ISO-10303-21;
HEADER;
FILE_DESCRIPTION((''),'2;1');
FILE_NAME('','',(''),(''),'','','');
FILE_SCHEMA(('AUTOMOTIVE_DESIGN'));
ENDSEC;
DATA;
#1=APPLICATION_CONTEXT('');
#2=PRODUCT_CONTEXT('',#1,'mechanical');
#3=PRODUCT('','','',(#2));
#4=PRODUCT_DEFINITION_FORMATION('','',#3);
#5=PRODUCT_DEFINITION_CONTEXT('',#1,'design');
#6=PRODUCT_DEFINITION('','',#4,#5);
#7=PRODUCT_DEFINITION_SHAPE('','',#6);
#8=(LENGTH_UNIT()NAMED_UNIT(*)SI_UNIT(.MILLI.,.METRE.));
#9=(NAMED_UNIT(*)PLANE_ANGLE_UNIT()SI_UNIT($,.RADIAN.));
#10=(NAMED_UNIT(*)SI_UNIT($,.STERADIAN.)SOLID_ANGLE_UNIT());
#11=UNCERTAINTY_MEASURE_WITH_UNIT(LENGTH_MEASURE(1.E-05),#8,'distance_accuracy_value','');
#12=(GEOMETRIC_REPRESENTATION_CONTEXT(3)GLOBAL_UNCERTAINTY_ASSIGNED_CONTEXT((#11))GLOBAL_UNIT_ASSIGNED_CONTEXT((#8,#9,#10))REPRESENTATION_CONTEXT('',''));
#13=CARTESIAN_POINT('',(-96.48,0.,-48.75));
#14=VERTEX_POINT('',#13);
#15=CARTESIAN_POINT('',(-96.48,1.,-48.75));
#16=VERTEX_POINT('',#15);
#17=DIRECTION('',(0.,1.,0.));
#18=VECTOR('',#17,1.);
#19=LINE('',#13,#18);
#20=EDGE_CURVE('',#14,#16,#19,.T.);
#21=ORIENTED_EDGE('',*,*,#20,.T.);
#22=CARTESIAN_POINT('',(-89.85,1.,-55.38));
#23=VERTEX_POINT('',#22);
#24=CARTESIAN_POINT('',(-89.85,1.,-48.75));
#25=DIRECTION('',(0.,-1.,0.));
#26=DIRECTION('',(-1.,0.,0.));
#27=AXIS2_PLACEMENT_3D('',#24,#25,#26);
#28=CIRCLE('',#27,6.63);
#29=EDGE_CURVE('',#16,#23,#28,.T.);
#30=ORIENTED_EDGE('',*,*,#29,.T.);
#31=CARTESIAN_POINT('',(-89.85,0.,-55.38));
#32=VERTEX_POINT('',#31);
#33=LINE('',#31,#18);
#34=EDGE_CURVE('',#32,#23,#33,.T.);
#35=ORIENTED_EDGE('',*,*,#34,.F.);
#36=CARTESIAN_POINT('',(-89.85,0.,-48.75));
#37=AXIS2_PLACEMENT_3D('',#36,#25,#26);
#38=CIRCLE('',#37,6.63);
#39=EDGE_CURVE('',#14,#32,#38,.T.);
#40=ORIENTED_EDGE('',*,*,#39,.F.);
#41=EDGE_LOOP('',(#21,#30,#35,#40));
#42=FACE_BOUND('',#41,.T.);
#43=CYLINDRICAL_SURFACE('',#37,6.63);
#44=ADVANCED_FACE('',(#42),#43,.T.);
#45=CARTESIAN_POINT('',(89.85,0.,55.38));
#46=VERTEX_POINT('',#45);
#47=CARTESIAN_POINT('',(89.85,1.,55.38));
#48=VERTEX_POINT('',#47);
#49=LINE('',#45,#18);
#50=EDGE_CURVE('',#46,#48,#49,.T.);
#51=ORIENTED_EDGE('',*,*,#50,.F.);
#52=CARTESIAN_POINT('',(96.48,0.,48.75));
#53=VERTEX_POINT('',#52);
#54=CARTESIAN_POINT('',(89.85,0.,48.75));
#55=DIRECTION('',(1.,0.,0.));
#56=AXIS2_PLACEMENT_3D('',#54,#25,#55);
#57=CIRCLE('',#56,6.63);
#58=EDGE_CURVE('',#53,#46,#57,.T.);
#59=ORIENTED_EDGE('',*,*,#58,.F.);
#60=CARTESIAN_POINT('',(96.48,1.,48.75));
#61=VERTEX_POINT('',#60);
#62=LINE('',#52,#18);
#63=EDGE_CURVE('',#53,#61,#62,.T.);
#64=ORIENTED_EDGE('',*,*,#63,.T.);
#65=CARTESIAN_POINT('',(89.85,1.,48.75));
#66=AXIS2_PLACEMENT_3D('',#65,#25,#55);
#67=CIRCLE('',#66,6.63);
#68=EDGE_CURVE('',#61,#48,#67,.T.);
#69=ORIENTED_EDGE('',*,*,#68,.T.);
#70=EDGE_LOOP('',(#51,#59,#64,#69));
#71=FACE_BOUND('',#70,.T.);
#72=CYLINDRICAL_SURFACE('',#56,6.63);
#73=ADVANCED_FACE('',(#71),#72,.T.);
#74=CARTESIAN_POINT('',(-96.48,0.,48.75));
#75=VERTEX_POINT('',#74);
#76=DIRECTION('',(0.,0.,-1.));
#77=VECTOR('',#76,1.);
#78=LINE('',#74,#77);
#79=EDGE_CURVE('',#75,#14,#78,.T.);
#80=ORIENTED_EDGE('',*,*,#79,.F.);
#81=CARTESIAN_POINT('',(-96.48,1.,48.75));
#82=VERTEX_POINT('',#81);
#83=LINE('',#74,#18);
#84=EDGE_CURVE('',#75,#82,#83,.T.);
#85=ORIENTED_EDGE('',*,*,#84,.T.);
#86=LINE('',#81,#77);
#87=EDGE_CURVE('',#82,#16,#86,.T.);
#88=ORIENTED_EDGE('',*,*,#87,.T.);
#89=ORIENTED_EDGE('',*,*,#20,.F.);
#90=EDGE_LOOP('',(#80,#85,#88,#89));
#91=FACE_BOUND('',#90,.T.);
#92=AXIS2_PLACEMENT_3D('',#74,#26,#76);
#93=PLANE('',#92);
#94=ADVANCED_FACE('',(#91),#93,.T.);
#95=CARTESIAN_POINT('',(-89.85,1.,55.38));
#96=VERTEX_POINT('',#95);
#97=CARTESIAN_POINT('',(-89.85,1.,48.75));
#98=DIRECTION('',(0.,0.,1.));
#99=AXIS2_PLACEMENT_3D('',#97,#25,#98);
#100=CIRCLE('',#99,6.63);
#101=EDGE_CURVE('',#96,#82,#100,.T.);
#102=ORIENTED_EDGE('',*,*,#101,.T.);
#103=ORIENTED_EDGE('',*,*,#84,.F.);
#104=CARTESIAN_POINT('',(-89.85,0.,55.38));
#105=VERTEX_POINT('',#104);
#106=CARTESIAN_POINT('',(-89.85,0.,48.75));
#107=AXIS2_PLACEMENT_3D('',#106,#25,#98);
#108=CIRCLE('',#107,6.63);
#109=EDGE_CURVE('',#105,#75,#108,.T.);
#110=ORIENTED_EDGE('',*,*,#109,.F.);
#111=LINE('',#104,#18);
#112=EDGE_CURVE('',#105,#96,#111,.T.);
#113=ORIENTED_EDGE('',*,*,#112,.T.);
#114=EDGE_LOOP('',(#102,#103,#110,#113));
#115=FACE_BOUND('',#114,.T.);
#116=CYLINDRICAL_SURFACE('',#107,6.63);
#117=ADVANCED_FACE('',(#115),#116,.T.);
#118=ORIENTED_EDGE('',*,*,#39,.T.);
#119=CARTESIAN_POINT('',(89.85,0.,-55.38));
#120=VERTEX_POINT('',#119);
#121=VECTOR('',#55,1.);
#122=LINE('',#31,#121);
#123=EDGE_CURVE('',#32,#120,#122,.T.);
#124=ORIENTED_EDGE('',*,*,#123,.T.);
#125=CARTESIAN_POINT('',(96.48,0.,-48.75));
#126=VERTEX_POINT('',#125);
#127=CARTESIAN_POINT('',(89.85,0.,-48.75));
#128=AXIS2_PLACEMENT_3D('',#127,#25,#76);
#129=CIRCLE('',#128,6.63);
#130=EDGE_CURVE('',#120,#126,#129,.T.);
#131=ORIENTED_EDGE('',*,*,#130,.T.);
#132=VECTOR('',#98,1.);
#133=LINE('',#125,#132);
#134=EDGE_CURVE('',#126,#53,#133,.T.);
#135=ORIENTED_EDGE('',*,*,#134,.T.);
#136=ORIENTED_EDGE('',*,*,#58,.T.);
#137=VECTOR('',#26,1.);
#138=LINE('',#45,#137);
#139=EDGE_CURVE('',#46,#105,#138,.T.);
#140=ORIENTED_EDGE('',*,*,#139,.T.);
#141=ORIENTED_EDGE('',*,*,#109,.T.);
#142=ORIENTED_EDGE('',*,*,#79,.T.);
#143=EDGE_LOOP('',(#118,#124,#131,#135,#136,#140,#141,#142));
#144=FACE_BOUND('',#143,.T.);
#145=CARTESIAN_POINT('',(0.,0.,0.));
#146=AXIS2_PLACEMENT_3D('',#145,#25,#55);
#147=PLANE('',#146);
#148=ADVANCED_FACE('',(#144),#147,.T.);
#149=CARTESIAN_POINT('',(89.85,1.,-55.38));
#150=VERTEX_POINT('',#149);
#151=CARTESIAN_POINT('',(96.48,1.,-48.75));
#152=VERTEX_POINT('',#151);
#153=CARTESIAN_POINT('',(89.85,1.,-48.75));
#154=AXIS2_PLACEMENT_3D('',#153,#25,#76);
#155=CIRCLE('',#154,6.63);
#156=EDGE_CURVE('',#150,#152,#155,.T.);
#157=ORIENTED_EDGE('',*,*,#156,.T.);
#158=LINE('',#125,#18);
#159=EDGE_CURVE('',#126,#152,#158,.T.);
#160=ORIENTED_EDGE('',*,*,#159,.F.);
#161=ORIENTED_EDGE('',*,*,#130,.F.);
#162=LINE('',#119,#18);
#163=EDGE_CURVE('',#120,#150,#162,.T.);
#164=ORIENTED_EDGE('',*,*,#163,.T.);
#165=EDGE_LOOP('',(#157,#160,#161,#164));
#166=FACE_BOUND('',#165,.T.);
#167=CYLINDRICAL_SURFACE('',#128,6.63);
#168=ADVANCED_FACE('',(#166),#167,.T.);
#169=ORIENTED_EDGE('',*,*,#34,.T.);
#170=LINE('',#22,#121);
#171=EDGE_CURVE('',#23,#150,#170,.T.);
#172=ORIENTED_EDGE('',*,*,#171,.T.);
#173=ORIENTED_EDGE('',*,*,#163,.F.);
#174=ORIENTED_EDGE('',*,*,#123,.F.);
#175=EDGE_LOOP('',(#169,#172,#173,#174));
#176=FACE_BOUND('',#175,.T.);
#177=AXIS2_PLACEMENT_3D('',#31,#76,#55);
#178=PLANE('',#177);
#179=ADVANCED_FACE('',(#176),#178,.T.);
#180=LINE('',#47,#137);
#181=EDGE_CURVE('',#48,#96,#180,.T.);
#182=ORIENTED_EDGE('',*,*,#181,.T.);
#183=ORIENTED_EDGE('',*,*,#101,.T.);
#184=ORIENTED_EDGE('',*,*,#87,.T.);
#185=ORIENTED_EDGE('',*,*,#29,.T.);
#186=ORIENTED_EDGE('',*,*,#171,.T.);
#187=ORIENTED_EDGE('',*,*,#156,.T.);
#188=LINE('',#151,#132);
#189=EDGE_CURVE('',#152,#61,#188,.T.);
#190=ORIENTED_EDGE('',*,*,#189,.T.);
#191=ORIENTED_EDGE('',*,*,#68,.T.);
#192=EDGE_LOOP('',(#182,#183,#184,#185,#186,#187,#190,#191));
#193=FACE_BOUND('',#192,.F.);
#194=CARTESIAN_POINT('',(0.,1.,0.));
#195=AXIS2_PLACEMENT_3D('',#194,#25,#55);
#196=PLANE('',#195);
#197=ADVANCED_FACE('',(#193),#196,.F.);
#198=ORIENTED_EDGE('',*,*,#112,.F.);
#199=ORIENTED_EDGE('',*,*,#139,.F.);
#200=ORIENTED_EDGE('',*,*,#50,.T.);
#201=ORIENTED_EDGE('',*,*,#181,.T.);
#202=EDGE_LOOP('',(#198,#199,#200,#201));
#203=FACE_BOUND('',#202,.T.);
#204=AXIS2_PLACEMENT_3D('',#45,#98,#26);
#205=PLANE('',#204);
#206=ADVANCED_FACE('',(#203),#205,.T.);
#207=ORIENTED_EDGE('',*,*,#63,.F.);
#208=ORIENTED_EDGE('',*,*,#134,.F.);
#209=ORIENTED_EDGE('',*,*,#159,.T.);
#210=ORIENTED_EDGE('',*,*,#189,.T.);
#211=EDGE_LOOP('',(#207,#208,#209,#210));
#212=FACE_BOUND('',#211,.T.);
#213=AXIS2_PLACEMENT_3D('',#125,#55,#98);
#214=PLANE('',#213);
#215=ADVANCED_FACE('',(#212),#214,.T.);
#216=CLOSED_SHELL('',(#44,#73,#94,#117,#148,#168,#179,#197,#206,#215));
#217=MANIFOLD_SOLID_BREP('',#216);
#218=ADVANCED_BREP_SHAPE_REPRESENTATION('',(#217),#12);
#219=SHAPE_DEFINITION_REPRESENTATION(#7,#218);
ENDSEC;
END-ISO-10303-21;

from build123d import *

# Parameters (mm, degrees)
F0_W     = 166.2
F0_H     = 100.06
F0_W_2   = 6
F0_H_2   = 8
F0_R     = 1.5
F0_W_3   = 8
F0_H_3   = 6
F0_R_2   = 1.25
F0_H_4   = 4
F0_W_4   = 4
F1_DEPTH = 1


with BuildPart() as f1:
    # F0 (on Front) → F1 (new body)
    with BuildSketch(Plane.XZ):
        with BuildLine():
            Line((89.85, 55.38), (-89.85, 55.38))
            ThreePointArc((-89.85, 55.38), (-94.5381179593, 53.4381179593), (-96.48, 48.75))
            Line((-96.48, 48.75), (-96.48, -48.75))
            ThreePointArc((-96.48, -48.75), (-94.5381179593, -53.4381179593), (-89.85, -55.38))
            Line((-89.85, -55.38), (89.85, -55.38))
            ThreePointArc((89.85, -55.38), (94.5381179593, -53.4381179593), (96.48, -48.75))
            Line((96.48, -48.75), (96.48, 48.75))
            ThreePointArc((96.48, 48.75), (94.5381179593, 53.4381179593), (89.85, 55.38))
        make_face()
        with Locations((-1.4, -1.28)):
            Rectangle(F0_W, F0_H, mode=Mode.SUBTRACT)
        with Locations((-1.4, -1.28)):
            Rectangle(F0_W, F0_H)
        Polygon((-57.5, -27.85), (-57.5, -35.85), (-61.5, -35.85), (-67.5, -35.85), (-71.5, -35.85), (-71.5, -27.85), (-67.5, -27.85), (-61.5, -27.85), align=None, mode=Mode.SUBTRACT)
        Polygon((-40.05, -18.05), (-40.05, -14.05), (-32.05, -14.05), (-32.05, -18.05), (-32.05, -24.05), (-32.05, -28.05), (-40.05, -28.05), (-40.05, -24.05), align=None, mode=Mode.SUBTRACT)
        Polygon((68.7, -27.85), (68.7, -35.85), (64.7, -35.85), (58.7, -35.85), (54.7, -35.85), (54.7, -27.85), (58.7, -27.85), (64.7, -27.85), align=None, mode=Mode.SUBTRACT)
        Polygon((17.95, -18.05), (17.95, -14.05), (25.95, -14.05), (25.95, -18.05), (25.95, -24.05), (25.95, -28.05), (17.95, -28.05), (17.95, -24.05), align=None, mode=Mode.SUBTRACT)
        Polygon((-57.5, 37.8), (-57.5, 29.8), (-61.5, 29.8), (-67.5, 29.8), (-71.5, 29.8), (-71.5, 37.8), (-67.5, 37.8), (-61.5, 37.8), align=None, mode=Mode.SUBTRACT)
        Polygon((-32.05, 20.95), (-40.05, 20.95), (-40.05, 24.95), (-40.05, 30.95), (-40.05, 34.95), (-32.05, 34.95), (-32.05, 30.95), (-32.05, 24.95), align=None, mode=Mode.SUBTRACT)
        Polygon((25.95, 20.95), (17.95, 20.95), (17.95, 24.95), (17.95, 30.95), (17.95, 34.95), (25.95, 34.95), (25.95, 30.95), (25.95, 24.95), align=None, mode=Mode.SUBTRACT)
        Polygon((68.7, 37.8), (68.7, 29.8), (64.7, 29.8), (58.7, 29.8), (54.7, 29.8), (54.7, 37.8), (58.7, 37.8), (64.7, 37.8), align=None, mode=Mode.SUBTRACT)
        with Locations((-64.5, -31.85)):
            Rectangle(F0_W_2, F0_H_2)
        with Locations((-64.5, -31.85)):
            Circle(F0_R, mode=Mode.SUBTRACT)
        with Locations((21.95, 27.95)):
            Rectangle(F0_W_3, F0_H_3)
        with Locations((21.95, 27.95)):
            Circle(F0_R_2, mode=Mode.SUBTRACT)
        with Locations((61.7, -31.85)):
            Rectangle(F0_W_2, F0_H_2)
        with Locations((61.7, -31.85)):
            Circle(F0_R, mode=Mode.SUBTRACT)
        with Locations((-36.05, -21.05)):
            Rectangle(F0_W_3, F0_H_3)
        with Locations((-36.05, -21.05)):
            Circle(F0_R_2, mode=Mode.SUBTRACT)
        with Locations((-36.05, 27.95)):
            Rectangle(F0_W_3, F0_H_3)
        with Locations((-36.05, 27.95)):
            Circle(F0_R_2, mode=Mode.SUBTRACT)
        with Locations((61.7, 33.8)):
            Rectangle(F0_W_2, F0_H_2)
        with Locations((61.7, 33.8)):
            Circle(F0_R, mode=Mode.SUBTRACT)
        with Locations((21.95, -21.05)):
            Rectangle(F0_W_3, F0_H_3)
        with Locations((21.95, -21.05)):
            Circle(F0_R_2, mode=Mode.SUBTRACT)
        with Locations((-64.5, 33.8)):
            Rectangle(F0_W_2, F0_H_2)
        with Locations((-64.5, 33.8)):
            Circle(F0_R, mode=Mode.SUBTRACT)
        with Locations((21.95, 32.95)):
            Rectangle(F0_W_3, F0_H_4)
        with Locations((-36.05, 22.95)):
            Rectangle(F0_W_3, F0_H_4)
        with Locations((21.95, -16.05)):
            Rectangle(F0_W_3, F0_H_4)
        with Locations((21.95, 22.95)):
            Rectangle(F0_W_3, F0_H_4)
        with Locations((56.7, 33.8)):
            Rectangle(F0_W_4, F0_H_2)
        with Locations((66.7, 33.8)):
            Rectangle(F0_W_4, F0_H_2)
        with Locations((-69.5, 33.8)):
            Rectangle(F0_W_4, F0_H_2)
        with Locations((-59.5, 33.8)):
            Rectangle(F0_W_4, F0_H_2)
        with Locations((56.7, -31.85)):
            Rectangle(F0_W_4, F0_H_2)
        with Locations((-59.5, -31.85)):
            Rectangle(F0_W_4, F0_H_2)
        with Locations((-69.5, -31.85)):
            Rectangle(F0_W_4, F0_H_2)
        with Locations((-36.05, -26.05)):
            Rectangle(F0_W_3, F0_H_4)
        with Locations((21.95, -26.05)):
            Rectangle(F0_W_3, F0_H_4)
        with Locations((66.7, -31.85)):
            Rectangle(F0_W_4, F0_H_2)
        with Locations((-36.05, -16.05)):
            Rectangle(F0_W_3, F0_H_4)
        with Locations((-36.05, 32.95)):
            Rectangle(F0_W_3, F0_H_4)
        with Locations((-64.5, 33.8)):
            Circle(F0_R)
        with Locations((61.7, 33.8)):
            Circle(F0_R)
        with Locations((-64.5, -31.85)):
            Circle(F0_R)
        with Locations((61.7, -31.85)):
            Circle(F0_R)
        with Locations((-36.05, -21.05)):
            Circle(F0_R_2)
        with Locations((21.95, -21.05)):
            Circle(F0_R_2)
        with Locations((21.95, 27.95)):
            Circle(F0_R_2)
        with Locations((-36.05, 27.95)):
            Circle(F0_R_2)
    extrude(amount=-F1_DEPTH)


solid = f1.part
